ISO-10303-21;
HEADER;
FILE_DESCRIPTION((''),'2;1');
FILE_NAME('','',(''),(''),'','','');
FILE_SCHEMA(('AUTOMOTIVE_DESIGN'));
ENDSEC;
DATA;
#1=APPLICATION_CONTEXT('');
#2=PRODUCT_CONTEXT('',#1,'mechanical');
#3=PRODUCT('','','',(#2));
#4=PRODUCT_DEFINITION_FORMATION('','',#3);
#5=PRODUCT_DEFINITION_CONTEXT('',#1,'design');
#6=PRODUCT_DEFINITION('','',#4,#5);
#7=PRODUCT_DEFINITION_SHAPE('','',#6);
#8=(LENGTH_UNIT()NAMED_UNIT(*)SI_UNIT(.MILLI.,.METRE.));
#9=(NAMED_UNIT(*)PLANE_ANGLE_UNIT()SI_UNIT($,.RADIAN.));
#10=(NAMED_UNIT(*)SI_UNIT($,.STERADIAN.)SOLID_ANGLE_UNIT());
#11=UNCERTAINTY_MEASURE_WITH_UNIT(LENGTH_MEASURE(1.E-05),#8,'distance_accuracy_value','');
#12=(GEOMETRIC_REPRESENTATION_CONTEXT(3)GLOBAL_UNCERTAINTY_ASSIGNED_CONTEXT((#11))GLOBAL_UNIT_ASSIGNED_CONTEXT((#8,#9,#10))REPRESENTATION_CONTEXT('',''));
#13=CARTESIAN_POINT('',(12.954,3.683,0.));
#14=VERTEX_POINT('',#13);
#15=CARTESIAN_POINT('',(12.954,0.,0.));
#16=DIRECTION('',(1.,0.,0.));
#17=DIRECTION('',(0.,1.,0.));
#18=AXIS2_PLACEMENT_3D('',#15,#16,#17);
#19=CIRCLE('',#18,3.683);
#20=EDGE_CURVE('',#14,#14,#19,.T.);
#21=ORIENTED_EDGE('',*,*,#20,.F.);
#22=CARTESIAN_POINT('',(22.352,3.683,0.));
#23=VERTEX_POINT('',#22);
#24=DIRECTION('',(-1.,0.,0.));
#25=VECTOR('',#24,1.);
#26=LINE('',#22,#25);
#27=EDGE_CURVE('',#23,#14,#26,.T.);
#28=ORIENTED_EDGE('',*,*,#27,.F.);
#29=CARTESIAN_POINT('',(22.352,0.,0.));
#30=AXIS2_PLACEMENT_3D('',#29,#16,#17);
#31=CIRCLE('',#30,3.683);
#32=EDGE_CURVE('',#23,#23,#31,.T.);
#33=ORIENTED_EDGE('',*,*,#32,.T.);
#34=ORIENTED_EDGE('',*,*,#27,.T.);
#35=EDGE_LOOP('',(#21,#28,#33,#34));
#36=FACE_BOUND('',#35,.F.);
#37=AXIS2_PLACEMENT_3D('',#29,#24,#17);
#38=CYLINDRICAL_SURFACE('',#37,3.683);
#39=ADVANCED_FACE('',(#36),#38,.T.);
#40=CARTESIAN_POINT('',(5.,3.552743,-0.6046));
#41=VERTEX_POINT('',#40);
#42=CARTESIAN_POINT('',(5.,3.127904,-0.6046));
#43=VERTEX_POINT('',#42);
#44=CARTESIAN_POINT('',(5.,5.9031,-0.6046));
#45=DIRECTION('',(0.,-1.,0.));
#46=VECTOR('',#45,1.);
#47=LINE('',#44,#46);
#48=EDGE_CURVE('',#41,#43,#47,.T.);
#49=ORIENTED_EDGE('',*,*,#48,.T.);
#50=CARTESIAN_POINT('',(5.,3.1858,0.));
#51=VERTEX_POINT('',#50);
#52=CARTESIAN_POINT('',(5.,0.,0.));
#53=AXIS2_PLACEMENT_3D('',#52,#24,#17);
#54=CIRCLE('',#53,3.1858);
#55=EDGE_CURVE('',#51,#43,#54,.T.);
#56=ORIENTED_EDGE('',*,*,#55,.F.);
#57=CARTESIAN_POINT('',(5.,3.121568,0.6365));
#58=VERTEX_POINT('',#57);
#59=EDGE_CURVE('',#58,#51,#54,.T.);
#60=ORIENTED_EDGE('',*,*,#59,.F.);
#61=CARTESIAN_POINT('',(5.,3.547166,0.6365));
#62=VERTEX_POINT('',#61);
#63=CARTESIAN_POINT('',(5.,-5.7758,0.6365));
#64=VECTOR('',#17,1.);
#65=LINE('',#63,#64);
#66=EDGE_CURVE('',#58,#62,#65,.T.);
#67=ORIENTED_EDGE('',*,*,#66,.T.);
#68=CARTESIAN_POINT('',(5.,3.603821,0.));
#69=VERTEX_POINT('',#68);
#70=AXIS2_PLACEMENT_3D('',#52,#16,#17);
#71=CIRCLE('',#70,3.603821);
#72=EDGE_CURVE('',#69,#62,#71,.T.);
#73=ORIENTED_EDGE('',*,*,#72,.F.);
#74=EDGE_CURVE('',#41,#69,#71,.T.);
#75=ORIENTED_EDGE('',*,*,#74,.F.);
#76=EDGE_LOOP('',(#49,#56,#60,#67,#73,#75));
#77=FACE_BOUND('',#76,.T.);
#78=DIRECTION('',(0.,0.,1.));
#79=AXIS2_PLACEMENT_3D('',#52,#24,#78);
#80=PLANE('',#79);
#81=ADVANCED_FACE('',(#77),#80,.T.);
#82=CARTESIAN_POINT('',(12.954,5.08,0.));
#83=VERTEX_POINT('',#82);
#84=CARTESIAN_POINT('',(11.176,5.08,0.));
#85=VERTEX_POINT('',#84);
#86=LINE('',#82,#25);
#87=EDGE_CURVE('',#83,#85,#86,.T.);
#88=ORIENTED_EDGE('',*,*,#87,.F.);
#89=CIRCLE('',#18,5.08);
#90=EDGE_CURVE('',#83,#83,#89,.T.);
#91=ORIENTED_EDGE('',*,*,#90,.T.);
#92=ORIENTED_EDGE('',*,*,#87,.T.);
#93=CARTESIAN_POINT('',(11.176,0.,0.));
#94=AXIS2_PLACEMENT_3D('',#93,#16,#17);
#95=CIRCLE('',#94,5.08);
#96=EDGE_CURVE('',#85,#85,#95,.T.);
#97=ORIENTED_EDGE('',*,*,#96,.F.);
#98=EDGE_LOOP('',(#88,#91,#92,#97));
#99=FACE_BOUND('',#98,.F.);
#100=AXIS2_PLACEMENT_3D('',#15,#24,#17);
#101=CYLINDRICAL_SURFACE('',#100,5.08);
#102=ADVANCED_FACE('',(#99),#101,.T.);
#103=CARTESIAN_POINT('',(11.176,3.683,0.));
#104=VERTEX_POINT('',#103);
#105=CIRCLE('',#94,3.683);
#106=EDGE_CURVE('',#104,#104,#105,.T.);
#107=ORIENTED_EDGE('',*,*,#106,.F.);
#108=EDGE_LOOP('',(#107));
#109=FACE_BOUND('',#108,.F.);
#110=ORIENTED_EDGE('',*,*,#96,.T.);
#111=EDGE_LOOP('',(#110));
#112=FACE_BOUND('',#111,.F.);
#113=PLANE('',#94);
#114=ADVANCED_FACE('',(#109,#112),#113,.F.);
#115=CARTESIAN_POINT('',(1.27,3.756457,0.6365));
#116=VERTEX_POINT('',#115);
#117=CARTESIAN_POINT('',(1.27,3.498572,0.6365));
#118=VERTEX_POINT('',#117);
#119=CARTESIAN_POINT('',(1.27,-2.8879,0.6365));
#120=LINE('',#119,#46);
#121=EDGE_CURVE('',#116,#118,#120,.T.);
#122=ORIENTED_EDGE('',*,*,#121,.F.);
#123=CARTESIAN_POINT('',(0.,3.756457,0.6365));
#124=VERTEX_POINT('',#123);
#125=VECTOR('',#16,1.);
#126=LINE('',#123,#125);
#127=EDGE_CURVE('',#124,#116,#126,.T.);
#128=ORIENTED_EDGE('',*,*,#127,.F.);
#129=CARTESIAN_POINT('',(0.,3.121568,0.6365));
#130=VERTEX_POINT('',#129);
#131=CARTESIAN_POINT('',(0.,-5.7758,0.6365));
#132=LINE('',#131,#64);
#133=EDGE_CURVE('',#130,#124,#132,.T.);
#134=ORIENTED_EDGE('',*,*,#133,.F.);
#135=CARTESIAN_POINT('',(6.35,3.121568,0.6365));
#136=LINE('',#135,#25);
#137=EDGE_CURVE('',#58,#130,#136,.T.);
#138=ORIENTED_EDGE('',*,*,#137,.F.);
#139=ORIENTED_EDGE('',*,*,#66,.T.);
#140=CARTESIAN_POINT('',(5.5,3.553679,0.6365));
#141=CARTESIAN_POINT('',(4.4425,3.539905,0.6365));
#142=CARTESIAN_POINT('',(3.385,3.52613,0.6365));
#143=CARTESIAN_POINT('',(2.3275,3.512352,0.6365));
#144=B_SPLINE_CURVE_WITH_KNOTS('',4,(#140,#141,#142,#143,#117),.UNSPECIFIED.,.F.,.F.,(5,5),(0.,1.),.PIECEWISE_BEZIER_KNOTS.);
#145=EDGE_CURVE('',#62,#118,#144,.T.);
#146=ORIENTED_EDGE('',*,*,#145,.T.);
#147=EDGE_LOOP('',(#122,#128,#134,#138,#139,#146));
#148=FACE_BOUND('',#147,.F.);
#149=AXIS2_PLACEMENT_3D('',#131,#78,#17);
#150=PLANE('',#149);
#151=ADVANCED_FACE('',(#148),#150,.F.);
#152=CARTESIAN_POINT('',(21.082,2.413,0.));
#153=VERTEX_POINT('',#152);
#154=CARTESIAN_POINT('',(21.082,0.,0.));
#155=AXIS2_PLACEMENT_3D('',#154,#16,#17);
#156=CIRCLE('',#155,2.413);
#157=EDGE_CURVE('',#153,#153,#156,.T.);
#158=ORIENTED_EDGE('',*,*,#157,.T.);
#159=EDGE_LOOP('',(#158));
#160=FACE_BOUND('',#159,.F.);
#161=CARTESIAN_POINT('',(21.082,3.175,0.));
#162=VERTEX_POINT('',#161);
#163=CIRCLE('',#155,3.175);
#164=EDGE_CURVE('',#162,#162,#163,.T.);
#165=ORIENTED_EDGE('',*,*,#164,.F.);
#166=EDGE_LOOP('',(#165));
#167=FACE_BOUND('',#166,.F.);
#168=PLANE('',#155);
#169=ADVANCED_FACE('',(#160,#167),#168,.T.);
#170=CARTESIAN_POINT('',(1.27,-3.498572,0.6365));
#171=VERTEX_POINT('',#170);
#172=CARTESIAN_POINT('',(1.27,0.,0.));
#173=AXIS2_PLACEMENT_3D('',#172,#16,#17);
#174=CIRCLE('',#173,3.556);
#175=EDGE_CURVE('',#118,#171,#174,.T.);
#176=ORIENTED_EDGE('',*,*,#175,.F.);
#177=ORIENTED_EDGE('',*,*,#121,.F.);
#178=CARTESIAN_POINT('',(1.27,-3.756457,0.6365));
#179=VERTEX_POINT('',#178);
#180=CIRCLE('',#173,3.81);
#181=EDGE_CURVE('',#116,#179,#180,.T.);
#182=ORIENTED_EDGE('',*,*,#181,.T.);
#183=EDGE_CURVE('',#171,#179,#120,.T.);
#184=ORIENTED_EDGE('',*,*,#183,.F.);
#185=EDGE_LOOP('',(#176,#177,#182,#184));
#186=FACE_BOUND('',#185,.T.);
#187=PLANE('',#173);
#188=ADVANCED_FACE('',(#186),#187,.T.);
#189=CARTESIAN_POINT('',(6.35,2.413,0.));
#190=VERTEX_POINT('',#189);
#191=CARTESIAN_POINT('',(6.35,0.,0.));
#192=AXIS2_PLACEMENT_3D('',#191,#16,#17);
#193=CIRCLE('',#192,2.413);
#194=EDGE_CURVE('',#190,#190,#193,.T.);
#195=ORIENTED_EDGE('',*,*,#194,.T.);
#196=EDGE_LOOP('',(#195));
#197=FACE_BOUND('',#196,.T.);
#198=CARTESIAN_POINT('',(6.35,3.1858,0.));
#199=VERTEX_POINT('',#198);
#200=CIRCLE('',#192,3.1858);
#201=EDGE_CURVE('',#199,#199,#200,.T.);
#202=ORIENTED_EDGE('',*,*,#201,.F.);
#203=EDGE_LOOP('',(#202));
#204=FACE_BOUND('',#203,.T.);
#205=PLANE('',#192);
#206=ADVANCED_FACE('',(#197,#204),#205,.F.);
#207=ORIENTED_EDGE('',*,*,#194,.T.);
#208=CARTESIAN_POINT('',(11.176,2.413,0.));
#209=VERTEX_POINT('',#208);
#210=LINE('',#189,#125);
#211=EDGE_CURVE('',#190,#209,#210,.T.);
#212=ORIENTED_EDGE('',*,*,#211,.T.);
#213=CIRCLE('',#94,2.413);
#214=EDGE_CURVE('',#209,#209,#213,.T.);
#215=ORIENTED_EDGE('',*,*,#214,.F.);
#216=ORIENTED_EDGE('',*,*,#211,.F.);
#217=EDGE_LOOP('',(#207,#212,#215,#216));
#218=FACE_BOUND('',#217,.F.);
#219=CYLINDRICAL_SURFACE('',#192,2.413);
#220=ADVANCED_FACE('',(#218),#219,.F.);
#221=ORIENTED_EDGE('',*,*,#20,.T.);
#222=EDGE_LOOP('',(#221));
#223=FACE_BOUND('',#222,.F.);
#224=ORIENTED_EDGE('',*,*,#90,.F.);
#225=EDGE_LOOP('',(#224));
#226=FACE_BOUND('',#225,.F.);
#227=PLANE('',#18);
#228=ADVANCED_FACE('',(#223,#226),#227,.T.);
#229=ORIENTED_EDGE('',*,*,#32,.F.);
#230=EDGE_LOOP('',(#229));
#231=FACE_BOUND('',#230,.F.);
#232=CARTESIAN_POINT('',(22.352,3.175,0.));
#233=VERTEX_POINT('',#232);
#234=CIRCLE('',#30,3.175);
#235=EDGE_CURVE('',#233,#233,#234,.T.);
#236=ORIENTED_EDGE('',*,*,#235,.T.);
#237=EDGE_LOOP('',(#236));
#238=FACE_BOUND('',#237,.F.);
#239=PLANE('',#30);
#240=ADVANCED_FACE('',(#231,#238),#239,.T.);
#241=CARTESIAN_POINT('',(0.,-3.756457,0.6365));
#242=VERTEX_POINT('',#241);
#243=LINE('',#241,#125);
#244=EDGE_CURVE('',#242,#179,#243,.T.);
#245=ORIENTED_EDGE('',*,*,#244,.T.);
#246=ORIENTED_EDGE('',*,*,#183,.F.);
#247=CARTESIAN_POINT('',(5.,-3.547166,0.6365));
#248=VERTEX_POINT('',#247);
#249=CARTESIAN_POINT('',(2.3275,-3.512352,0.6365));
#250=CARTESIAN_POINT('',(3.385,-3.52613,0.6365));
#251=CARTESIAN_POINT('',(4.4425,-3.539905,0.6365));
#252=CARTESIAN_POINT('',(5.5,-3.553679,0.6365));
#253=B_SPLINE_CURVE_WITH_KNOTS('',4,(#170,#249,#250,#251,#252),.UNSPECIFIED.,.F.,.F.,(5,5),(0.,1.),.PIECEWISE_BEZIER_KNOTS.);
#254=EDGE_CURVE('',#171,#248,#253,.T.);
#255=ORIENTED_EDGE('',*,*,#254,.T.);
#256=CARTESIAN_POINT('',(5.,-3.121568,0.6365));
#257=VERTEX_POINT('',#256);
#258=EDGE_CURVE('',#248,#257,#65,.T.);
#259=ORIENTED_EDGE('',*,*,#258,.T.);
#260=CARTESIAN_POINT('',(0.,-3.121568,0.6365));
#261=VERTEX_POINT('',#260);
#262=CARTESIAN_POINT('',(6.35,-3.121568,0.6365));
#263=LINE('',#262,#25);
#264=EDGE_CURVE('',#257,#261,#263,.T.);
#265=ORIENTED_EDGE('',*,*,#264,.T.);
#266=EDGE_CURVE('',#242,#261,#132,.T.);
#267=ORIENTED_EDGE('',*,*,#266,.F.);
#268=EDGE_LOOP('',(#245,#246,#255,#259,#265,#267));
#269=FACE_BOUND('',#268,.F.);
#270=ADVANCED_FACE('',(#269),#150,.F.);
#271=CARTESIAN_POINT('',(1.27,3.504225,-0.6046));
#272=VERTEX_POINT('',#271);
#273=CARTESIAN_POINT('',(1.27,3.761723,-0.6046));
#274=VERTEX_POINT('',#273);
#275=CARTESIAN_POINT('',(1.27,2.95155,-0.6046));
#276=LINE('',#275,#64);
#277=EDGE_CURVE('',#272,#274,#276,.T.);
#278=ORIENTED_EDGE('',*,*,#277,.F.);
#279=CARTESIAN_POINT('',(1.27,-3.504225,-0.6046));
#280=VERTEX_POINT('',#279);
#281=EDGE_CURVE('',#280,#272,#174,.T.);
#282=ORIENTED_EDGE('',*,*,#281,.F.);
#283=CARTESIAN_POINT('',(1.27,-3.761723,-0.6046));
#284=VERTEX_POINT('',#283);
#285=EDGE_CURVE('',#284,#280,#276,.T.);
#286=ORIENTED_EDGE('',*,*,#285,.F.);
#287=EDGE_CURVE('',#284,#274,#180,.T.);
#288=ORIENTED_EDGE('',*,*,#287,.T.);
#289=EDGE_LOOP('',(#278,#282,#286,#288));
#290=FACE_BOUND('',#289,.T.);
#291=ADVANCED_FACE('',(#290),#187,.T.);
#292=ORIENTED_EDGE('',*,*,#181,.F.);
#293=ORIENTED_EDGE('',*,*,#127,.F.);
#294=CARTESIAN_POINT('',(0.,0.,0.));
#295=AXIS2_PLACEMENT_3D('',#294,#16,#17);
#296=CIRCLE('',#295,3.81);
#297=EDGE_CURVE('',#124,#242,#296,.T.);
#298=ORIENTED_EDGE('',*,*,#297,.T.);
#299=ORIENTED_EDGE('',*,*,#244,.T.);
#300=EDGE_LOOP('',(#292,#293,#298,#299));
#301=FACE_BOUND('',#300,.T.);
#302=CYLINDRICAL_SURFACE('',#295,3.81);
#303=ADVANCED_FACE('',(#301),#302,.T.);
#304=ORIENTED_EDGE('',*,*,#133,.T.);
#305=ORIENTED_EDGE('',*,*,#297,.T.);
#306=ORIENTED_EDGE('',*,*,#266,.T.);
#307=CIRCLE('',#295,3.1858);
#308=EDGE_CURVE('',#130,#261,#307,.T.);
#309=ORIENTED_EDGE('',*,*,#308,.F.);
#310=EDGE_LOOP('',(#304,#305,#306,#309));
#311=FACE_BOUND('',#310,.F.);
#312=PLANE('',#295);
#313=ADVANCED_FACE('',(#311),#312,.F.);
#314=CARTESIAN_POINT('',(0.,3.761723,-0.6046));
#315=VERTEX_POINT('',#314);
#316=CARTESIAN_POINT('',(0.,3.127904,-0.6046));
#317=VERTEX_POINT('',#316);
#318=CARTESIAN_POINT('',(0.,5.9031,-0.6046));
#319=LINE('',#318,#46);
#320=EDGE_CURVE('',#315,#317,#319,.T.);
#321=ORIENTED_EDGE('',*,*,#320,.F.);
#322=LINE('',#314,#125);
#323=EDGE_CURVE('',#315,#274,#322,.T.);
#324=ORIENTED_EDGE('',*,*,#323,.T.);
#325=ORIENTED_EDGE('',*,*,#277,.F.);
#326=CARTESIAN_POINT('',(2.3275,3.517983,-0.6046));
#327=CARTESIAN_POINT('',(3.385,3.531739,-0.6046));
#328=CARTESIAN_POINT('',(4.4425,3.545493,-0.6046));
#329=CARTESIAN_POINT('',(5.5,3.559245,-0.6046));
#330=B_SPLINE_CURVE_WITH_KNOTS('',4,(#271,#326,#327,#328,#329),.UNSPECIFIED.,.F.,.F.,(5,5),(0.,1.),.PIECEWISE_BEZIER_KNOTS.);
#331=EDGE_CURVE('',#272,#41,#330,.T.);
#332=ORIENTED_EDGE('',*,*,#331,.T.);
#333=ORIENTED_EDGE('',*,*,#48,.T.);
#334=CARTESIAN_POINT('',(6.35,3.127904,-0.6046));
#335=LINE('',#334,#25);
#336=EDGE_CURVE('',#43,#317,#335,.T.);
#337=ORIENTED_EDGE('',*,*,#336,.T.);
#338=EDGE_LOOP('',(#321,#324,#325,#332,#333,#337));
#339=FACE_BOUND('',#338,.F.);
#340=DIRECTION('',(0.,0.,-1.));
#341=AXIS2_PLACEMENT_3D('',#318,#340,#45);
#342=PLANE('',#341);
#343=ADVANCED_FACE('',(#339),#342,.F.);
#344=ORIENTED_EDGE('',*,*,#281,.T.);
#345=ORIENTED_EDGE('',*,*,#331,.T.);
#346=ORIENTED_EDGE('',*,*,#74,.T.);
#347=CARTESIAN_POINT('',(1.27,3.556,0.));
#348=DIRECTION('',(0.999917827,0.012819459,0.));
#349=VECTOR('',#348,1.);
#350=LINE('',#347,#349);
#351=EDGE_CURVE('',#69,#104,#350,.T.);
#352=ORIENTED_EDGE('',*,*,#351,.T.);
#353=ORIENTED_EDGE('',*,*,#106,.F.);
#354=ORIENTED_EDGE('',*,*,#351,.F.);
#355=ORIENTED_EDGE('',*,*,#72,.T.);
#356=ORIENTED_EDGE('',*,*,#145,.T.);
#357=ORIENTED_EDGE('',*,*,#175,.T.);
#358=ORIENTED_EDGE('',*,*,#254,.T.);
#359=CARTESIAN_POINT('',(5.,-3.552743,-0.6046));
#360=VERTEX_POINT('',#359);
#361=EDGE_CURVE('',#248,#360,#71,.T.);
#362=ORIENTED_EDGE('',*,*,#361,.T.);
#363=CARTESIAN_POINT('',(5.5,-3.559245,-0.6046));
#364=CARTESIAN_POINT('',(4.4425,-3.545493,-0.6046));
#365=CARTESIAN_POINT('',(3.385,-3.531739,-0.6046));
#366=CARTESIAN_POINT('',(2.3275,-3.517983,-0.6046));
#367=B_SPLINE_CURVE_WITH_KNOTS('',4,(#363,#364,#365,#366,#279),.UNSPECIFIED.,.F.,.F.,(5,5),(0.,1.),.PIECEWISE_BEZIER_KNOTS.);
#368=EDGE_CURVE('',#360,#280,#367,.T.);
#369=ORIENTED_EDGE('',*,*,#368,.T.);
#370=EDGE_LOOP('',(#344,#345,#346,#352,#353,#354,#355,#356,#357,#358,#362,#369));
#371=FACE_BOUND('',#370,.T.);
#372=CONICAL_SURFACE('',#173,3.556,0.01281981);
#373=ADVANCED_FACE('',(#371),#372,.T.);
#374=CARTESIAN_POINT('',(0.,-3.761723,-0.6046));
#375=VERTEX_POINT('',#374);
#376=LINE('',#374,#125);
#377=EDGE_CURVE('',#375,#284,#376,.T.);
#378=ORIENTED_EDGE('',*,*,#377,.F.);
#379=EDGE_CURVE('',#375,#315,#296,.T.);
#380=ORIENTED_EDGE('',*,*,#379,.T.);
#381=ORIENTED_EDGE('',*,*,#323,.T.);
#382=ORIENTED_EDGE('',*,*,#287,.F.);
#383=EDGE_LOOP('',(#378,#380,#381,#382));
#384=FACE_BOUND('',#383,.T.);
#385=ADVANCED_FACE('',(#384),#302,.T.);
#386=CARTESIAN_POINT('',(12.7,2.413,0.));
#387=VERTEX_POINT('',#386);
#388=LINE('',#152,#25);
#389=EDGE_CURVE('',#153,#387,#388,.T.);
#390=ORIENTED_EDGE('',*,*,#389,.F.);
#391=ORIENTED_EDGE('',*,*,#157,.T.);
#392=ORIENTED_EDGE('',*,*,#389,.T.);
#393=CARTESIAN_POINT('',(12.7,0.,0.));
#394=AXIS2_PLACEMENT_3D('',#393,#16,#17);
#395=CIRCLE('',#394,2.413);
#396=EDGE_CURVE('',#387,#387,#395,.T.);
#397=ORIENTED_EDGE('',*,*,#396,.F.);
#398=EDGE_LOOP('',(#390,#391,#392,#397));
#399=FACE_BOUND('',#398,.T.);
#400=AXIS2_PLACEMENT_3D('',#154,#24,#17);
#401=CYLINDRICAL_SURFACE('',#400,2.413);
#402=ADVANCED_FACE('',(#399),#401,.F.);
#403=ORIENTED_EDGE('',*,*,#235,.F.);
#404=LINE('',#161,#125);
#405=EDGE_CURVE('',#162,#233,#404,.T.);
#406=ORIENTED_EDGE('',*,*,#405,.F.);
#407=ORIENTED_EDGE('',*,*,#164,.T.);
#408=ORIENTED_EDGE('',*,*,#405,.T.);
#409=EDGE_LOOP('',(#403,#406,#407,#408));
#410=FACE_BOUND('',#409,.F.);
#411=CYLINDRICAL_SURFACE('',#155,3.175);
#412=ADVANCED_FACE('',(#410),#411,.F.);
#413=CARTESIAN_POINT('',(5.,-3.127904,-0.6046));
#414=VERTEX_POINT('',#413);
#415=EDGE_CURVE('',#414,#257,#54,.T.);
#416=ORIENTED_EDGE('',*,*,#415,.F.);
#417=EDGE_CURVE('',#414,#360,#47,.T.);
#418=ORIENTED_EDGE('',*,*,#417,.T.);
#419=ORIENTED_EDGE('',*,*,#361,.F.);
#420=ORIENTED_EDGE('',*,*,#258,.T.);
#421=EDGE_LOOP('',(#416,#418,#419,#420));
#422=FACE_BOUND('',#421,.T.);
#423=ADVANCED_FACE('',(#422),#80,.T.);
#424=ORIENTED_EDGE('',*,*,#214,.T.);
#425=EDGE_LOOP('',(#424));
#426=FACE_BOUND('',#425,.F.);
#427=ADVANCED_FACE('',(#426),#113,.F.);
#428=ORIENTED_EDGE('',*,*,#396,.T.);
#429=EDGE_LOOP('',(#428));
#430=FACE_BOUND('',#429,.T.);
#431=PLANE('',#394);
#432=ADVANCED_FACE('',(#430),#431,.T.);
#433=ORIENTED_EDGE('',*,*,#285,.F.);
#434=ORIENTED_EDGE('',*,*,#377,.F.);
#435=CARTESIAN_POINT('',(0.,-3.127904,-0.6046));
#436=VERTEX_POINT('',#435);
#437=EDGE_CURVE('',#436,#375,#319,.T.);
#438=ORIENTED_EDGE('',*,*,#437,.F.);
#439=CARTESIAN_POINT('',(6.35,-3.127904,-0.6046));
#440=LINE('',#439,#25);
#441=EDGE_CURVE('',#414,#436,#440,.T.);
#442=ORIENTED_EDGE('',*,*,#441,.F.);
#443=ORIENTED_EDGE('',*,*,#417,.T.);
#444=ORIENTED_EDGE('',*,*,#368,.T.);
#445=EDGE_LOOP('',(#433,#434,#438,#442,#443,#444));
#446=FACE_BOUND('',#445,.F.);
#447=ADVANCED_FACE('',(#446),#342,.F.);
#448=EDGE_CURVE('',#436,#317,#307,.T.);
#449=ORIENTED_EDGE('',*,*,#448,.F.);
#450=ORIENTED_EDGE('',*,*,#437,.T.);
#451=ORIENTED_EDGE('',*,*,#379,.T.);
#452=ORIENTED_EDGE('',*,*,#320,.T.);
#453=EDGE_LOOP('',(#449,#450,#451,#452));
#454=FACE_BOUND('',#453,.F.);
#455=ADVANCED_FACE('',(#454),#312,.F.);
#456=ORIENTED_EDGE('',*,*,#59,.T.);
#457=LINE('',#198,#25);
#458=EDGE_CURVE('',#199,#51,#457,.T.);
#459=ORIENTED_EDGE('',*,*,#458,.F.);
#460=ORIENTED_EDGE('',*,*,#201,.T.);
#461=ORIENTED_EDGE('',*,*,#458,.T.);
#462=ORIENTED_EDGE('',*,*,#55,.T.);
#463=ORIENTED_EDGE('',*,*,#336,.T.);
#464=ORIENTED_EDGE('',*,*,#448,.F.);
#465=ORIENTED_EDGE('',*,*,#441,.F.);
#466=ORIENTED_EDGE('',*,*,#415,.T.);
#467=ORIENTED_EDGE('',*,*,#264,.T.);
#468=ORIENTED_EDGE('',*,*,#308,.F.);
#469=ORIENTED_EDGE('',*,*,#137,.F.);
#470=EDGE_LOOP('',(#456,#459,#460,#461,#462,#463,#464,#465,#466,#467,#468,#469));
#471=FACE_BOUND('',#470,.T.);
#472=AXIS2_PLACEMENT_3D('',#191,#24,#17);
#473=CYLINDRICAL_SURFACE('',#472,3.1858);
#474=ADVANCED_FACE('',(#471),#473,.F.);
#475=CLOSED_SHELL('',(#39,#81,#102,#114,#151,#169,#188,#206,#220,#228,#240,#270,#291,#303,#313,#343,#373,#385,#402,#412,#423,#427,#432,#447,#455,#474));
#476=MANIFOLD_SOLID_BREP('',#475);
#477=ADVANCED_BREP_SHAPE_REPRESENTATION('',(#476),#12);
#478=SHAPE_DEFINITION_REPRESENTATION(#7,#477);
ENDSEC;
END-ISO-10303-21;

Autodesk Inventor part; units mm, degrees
ref_plane "YZ Plane" through (0, 0, 0) normal (1, 0, 0) x (0, 1, 0)
ref_plane "XZ Plane" through (0, 0, 0) normal (0, 1, 0) x (-1, 0, 0)
ref_plane "XY Plane" through (0, 0, 0) normal (0, 0, 1) x (1, 0, 0)
sketch "Sketch1" plane through (0, 0, 0) normal (0, 0, 1) x (1, 0, 0)
  line L0 (0, 3.81) -> (0, 3.1858)
  line L1 (21.082, 2.413) -> (12.7, 2.413)
  line L2 (12.7, 2.413) -> (12.7, 0)
  line L3 (21.082, 2.413) -> (21.082, 3.175)
  line L4 (21.082, 3.175) -> (22.352, 3.175)
  line L5 (22.352, 3.683) -> (12.954, 3.683)
  line L6 (12.954, 3.683) -> (12.954, 5.08)
  line L7 (22.352, 3.175) -> (22.352, 3.683)
  line L8 (11.176, 0) -> (12.7, 0)
  line L9 (6.35, 2.413) -> (11.176, 2.413)
  line L10 (11.176, 2.413) -> (11.176, 0)
  line L11 (0, 3.81) -> (1.27, 3.81)
  line L12 (1.27, 3.81) -> (1.27, 3.556)
  line L13 (1.27, 3.556) -> (11.176, 3.683)
  line L14 (12.954, 5.08) -> (11.176, 5.08)
  line L15 (11.176, 5.08) -> (11.176, 3.683)
  line L16 (6.35, 2.413) -> (6.35, 3.1858)
  line L17 (6.35, 3.1858) -> (0, 3.1858)
  point P0 (0, 0)
  dimension "d3" = 1.27
  dimension "d8" = 1.778
  dimension "d9" = 1.27
  dimension "d11" = 4.826
  dimension "d12" = 8.382
  dimension "d13" = 22.352
  dimension "d14" = 6.35
  dimension "d15" = 3.683
  dimension "d16" = 2.413
  dimension "d17" = 3.175
  dimension "d18" = 3.683
  dimension "d19" = 3.81
  dimension "d20" = 0.254
  dimension "d21" = 3.1858
  dimension "d22" = 2.413
  dimension "d23" = 5.08
  dimension "d24" = 11.176
  dimension "d25" = 2.413
revolve "Revolution1" add sketch "Sketch1" angle 360 about axis through (11.176, 0, 0) along (1, 0, 0)
sketch "Sketch2" plane through (0, 0, 0) normal (-1, 0, 0) x (0, 0, 1)
  line L0 (-0.6046, -5.7758) -> (0.6365, -5.7758)
  line L1 (0.6365, -5.7758) -> (0.6365, 5.9031)
  line L2 (0.6365, 5.9031) -> (-0.6046, 5.9031)
  line L3 (-0.6046, 5.9031) -> (-0.6046, -5.7758)
  point P0 (0, 0)
extrude "Extrusion1" cut sketch "Sketch2" against normal blind 5
properties part number "Axle finsihed"
